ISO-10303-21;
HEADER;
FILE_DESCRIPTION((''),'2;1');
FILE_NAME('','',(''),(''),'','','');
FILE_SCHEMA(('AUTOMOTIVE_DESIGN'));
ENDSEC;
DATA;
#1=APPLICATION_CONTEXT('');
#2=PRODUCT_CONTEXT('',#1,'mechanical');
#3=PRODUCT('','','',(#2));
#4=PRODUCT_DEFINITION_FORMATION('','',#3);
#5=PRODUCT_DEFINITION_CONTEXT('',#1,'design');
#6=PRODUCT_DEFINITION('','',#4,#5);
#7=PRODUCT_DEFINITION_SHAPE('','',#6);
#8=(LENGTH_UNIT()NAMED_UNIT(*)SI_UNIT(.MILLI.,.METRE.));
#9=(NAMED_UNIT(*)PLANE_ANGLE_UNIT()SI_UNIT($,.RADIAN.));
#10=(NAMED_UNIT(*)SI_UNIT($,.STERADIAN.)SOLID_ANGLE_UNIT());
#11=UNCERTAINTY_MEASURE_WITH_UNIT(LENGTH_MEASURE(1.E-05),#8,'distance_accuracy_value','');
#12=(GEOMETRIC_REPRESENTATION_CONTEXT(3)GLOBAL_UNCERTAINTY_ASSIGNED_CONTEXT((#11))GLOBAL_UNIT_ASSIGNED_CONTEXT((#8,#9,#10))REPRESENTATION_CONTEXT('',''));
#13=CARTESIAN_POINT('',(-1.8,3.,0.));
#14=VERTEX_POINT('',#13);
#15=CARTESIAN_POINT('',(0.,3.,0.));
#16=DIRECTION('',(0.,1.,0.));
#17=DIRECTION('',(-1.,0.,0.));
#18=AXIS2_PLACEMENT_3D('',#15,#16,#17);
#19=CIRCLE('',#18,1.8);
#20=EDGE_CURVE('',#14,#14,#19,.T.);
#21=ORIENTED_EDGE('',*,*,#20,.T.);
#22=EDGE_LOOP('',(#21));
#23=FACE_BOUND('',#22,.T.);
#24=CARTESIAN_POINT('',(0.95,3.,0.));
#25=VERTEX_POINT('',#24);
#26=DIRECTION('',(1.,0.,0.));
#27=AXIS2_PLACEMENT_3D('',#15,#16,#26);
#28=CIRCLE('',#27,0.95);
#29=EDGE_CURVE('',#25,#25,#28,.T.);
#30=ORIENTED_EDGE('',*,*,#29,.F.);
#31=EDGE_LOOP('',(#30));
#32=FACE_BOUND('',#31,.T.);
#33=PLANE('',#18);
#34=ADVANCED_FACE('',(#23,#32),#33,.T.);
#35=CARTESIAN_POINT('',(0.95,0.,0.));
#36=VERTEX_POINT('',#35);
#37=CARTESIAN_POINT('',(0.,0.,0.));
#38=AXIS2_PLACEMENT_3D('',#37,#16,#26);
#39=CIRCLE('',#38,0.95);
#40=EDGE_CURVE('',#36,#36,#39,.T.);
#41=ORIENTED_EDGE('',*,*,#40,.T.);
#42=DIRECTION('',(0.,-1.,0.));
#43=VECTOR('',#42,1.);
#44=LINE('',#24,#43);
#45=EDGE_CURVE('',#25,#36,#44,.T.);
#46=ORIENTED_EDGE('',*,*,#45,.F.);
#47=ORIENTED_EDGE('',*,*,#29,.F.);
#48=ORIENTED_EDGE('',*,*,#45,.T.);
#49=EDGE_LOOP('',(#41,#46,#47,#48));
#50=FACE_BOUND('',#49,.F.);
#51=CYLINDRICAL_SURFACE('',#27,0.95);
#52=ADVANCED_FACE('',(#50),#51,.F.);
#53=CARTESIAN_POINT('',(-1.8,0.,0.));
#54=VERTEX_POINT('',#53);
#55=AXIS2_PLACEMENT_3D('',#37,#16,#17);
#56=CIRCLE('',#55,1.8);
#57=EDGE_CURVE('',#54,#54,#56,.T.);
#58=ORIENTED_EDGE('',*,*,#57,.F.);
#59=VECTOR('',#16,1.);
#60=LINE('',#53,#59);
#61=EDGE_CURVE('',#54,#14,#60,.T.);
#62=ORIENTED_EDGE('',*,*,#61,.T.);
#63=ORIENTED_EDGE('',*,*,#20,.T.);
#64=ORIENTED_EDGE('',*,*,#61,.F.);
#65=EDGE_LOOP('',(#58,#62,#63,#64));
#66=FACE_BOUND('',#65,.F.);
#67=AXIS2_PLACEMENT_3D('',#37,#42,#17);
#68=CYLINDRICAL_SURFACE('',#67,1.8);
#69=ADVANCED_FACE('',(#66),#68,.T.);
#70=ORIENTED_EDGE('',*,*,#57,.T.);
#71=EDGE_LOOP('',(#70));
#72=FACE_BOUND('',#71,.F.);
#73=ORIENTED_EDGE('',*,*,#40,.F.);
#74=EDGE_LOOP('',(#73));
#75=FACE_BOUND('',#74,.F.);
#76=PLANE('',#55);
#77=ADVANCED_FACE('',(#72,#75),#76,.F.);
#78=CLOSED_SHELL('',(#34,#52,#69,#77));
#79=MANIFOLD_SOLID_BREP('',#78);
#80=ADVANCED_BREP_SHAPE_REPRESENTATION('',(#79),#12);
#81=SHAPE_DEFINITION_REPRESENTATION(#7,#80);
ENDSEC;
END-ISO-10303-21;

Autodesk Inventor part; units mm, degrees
ref_plane "YZ Plane" through (0, 0, 0) normal (1, 0, 0) x (0, 1, 0)
ref_plane "XZ Plane" through (0, 0, 0) normal (0, 1, 0) x (-1, 0, 0)
ref_plane "XY Plane" through (0, 0, 0) normal (0, 0, 1) x (1, 0, 0)
sketch "Sketch3" plane through (0, 0, 0) normal (0, 1, 0) x (-1, 0, 0)
  circle A0 centre (0, 0) radius 1.8
  dimension "d6" = 3.6
extrude "Extrusion3" add sketch "Sketch3" along normal blind 3
sketch "Sketch4" plane through (0, 3, 0) normal (0, 1, 0) x (1, 0, 0)
  circle A0 centre (0, 0) radius 0.95
  dimension "d9" = 1.9
extrude "Extrusion4" cut sketch "Sketch4" against normal blind 3
properties part number "HAND_gyuru"
